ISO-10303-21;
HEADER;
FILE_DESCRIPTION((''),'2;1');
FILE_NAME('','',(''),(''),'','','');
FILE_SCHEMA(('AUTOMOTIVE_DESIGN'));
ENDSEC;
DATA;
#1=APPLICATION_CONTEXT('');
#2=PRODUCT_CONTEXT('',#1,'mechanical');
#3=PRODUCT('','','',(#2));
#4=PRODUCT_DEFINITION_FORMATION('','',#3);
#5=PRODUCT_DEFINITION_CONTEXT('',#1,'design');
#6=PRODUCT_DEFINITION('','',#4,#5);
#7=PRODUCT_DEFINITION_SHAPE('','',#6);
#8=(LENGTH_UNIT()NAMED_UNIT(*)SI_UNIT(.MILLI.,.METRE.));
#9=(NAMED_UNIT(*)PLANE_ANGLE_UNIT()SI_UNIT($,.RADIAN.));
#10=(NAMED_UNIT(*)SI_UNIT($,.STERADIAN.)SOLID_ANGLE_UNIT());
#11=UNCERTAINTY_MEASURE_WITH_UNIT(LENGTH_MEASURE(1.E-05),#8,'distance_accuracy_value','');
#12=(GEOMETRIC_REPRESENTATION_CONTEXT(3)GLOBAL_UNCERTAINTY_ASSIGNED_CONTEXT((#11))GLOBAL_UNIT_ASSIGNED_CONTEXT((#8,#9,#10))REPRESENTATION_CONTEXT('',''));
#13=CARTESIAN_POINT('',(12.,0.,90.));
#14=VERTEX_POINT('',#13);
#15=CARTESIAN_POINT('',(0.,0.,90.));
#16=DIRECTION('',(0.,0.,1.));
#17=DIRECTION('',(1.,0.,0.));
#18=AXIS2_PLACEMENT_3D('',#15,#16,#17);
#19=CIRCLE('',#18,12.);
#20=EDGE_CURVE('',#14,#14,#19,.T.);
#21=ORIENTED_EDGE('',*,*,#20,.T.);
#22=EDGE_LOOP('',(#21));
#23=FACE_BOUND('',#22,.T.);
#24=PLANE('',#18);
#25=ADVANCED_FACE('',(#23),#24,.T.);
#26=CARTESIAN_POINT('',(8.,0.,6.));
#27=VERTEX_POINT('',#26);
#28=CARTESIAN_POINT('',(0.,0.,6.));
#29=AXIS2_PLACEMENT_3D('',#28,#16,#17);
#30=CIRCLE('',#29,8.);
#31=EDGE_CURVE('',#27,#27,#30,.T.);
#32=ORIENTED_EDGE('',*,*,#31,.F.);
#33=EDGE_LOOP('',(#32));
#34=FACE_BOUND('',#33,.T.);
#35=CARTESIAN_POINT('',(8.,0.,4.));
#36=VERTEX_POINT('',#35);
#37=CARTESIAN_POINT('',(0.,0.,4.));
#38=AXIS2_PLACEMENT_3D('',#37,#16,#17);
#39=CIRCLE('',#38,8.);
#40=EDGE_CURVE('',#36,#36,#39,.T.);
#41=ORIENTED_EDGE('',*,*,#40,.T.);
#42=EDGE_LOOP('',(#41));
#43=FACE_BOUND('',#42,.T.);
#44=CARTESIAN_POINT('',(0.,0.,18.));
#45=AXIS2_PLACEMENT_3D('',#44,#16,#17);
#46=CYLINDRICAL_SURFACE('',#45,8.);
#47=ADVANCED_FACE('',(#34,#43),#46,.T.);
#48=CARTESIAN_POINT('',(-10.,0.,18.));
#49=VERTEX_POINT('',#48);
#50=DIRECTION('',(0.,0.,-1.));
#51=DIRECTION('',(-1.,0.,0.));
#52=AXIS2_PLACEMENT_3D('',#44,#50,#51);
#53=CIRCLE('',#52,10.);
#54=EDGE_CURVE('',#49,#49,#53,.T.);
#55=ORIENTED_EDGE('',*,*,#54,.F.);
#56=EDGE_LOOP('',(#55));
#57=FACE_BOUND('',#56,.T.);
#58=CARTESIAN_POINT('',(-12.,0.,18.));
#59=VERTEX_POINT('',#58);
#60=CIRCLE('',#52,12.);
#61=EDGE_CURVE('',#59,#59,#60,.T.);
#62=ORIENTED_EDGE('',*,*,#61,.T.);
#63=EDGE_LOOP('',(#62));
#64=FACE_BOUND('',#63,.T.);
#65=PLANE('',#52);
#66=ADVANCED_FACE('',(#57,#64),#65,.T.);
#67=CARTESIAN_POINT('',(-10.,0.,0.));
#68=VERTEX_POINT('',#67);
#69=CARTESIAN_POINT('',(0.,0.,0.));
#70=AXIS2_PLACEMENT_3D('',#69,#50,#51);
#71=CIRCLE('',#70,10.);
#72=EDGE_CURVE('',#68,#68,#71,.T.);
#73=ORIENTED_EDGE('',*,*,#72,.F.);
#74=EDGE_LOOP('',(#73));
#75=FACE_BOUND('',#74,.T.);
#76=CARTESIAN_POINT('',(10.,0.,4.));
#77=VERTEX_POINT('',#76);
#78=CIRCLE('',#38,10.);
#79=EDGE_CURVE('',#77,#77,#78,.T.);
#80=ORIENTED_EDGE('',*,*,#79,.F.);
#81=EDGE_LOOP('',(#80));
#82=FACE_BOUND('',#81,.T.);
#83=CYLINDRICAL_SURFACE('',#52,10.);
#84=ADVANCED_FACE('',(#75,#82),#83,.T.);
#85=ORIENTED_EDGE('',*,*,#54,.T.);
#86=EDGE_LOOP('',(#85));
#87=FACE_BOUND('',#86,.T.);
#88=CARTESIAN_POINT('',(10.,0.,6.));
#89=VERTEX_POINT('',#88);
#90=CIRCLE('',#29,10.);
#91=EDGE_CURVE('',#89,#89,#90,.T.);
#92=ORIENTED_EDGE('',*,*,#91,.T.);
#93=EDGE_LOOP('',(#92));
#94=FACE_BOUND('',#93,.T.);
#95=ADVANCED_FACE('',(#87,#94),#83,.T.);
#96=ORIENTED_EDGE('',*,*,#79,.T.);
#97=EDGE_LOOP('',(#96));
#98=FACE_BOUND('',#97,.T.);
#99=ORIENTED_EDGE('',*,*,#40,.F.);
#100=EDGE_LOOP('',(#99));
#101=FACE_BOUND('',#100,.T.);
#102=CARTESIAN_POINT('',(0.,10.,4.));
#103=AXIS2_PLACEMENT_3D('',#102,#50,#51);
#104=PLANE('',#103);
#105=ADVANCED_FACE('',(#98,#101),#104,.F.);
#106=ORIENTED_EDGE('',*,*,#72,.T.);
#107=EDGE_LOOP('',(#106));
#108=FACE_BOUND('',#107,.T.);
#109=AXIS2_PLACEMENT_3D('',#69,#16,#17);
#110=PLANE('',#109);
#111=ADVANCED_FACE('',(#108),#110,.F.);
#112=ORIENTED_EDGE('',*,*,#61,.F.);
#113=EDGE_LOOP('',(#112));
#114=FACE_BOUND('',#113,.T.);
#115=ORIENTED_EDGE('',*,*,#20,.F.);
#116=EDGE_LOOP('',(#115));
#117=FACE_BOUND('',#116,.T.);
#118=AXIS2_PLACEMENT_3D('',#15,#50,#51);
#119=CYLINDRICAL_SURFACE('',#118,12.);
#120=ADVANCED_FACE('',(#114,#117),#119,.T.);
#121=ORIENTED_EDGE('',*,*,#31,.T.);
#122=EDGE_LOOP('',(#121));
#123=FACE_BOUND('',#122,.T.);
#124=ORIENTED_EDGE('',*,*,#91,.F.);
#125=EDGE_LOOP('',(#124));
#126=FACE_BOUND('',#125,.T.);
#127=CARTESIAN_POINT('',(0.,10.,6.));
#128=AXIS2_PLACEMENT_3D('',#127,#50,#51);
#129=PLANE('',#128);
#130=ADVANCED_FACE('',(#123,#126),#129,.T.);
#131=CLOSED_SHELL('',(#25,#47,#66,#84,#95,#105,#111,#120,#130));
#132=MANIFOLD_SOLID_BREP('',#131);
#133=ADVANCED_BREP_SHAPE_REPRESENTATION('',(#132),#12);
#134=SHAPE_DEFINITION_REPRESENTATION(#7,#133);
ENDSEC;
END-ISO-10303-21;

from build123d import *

# Parameters (mm, degrees)
SKETCH1_R           = 12
BOSS_EXTRUDE1_DEPTH = 90
SKETCH2_R           = 12
SKETCH2_R_2         = 10
CUT_EXTRUDE2_DEPTH  = 18
SKETCH3_W           = 2
SKETCH3_H           = 2


with BuildPart() as part:
    # Sketch1 → Boss-Extrude1 (new body)
    with BuildSketch(Plane.XY):
        Circle(SKETCH1_R)
    extrude(amount=BOSS_EXTRUDE1_DEPTH)

    # Sketch2 → Cut-Extrude2 (cut)
    with BuildSketch(Plane(origin=(0, 0, 0), x_dir=(-1, 0, 0), z_dir=(0, 0, -1))):
        Circle(SKETCH2_R)
        Circle(SKETCH2_R_2, mode=Mode.SUBTRACT)
    extrude(amount=-CUT_EXTRUDE2_DEPTH, mode=Mode.SUBTRACT)

    # Sketch3 → Cut-Revolve1 (revolve, cut)
    with BuildSketch(Plane(origin=(0, 0, 0), x_dir=(0, 0, -1), z_dir=(1, 0, 0))):
        with Locations((-5, 9)):
            Rectangle(SKETCH3_W, SKETCH3_H)
    revolve(axis=Axis((0, 0, 18), (0, 0, -1)), mode=Mode.SUBTRACT)


solid = part.part
